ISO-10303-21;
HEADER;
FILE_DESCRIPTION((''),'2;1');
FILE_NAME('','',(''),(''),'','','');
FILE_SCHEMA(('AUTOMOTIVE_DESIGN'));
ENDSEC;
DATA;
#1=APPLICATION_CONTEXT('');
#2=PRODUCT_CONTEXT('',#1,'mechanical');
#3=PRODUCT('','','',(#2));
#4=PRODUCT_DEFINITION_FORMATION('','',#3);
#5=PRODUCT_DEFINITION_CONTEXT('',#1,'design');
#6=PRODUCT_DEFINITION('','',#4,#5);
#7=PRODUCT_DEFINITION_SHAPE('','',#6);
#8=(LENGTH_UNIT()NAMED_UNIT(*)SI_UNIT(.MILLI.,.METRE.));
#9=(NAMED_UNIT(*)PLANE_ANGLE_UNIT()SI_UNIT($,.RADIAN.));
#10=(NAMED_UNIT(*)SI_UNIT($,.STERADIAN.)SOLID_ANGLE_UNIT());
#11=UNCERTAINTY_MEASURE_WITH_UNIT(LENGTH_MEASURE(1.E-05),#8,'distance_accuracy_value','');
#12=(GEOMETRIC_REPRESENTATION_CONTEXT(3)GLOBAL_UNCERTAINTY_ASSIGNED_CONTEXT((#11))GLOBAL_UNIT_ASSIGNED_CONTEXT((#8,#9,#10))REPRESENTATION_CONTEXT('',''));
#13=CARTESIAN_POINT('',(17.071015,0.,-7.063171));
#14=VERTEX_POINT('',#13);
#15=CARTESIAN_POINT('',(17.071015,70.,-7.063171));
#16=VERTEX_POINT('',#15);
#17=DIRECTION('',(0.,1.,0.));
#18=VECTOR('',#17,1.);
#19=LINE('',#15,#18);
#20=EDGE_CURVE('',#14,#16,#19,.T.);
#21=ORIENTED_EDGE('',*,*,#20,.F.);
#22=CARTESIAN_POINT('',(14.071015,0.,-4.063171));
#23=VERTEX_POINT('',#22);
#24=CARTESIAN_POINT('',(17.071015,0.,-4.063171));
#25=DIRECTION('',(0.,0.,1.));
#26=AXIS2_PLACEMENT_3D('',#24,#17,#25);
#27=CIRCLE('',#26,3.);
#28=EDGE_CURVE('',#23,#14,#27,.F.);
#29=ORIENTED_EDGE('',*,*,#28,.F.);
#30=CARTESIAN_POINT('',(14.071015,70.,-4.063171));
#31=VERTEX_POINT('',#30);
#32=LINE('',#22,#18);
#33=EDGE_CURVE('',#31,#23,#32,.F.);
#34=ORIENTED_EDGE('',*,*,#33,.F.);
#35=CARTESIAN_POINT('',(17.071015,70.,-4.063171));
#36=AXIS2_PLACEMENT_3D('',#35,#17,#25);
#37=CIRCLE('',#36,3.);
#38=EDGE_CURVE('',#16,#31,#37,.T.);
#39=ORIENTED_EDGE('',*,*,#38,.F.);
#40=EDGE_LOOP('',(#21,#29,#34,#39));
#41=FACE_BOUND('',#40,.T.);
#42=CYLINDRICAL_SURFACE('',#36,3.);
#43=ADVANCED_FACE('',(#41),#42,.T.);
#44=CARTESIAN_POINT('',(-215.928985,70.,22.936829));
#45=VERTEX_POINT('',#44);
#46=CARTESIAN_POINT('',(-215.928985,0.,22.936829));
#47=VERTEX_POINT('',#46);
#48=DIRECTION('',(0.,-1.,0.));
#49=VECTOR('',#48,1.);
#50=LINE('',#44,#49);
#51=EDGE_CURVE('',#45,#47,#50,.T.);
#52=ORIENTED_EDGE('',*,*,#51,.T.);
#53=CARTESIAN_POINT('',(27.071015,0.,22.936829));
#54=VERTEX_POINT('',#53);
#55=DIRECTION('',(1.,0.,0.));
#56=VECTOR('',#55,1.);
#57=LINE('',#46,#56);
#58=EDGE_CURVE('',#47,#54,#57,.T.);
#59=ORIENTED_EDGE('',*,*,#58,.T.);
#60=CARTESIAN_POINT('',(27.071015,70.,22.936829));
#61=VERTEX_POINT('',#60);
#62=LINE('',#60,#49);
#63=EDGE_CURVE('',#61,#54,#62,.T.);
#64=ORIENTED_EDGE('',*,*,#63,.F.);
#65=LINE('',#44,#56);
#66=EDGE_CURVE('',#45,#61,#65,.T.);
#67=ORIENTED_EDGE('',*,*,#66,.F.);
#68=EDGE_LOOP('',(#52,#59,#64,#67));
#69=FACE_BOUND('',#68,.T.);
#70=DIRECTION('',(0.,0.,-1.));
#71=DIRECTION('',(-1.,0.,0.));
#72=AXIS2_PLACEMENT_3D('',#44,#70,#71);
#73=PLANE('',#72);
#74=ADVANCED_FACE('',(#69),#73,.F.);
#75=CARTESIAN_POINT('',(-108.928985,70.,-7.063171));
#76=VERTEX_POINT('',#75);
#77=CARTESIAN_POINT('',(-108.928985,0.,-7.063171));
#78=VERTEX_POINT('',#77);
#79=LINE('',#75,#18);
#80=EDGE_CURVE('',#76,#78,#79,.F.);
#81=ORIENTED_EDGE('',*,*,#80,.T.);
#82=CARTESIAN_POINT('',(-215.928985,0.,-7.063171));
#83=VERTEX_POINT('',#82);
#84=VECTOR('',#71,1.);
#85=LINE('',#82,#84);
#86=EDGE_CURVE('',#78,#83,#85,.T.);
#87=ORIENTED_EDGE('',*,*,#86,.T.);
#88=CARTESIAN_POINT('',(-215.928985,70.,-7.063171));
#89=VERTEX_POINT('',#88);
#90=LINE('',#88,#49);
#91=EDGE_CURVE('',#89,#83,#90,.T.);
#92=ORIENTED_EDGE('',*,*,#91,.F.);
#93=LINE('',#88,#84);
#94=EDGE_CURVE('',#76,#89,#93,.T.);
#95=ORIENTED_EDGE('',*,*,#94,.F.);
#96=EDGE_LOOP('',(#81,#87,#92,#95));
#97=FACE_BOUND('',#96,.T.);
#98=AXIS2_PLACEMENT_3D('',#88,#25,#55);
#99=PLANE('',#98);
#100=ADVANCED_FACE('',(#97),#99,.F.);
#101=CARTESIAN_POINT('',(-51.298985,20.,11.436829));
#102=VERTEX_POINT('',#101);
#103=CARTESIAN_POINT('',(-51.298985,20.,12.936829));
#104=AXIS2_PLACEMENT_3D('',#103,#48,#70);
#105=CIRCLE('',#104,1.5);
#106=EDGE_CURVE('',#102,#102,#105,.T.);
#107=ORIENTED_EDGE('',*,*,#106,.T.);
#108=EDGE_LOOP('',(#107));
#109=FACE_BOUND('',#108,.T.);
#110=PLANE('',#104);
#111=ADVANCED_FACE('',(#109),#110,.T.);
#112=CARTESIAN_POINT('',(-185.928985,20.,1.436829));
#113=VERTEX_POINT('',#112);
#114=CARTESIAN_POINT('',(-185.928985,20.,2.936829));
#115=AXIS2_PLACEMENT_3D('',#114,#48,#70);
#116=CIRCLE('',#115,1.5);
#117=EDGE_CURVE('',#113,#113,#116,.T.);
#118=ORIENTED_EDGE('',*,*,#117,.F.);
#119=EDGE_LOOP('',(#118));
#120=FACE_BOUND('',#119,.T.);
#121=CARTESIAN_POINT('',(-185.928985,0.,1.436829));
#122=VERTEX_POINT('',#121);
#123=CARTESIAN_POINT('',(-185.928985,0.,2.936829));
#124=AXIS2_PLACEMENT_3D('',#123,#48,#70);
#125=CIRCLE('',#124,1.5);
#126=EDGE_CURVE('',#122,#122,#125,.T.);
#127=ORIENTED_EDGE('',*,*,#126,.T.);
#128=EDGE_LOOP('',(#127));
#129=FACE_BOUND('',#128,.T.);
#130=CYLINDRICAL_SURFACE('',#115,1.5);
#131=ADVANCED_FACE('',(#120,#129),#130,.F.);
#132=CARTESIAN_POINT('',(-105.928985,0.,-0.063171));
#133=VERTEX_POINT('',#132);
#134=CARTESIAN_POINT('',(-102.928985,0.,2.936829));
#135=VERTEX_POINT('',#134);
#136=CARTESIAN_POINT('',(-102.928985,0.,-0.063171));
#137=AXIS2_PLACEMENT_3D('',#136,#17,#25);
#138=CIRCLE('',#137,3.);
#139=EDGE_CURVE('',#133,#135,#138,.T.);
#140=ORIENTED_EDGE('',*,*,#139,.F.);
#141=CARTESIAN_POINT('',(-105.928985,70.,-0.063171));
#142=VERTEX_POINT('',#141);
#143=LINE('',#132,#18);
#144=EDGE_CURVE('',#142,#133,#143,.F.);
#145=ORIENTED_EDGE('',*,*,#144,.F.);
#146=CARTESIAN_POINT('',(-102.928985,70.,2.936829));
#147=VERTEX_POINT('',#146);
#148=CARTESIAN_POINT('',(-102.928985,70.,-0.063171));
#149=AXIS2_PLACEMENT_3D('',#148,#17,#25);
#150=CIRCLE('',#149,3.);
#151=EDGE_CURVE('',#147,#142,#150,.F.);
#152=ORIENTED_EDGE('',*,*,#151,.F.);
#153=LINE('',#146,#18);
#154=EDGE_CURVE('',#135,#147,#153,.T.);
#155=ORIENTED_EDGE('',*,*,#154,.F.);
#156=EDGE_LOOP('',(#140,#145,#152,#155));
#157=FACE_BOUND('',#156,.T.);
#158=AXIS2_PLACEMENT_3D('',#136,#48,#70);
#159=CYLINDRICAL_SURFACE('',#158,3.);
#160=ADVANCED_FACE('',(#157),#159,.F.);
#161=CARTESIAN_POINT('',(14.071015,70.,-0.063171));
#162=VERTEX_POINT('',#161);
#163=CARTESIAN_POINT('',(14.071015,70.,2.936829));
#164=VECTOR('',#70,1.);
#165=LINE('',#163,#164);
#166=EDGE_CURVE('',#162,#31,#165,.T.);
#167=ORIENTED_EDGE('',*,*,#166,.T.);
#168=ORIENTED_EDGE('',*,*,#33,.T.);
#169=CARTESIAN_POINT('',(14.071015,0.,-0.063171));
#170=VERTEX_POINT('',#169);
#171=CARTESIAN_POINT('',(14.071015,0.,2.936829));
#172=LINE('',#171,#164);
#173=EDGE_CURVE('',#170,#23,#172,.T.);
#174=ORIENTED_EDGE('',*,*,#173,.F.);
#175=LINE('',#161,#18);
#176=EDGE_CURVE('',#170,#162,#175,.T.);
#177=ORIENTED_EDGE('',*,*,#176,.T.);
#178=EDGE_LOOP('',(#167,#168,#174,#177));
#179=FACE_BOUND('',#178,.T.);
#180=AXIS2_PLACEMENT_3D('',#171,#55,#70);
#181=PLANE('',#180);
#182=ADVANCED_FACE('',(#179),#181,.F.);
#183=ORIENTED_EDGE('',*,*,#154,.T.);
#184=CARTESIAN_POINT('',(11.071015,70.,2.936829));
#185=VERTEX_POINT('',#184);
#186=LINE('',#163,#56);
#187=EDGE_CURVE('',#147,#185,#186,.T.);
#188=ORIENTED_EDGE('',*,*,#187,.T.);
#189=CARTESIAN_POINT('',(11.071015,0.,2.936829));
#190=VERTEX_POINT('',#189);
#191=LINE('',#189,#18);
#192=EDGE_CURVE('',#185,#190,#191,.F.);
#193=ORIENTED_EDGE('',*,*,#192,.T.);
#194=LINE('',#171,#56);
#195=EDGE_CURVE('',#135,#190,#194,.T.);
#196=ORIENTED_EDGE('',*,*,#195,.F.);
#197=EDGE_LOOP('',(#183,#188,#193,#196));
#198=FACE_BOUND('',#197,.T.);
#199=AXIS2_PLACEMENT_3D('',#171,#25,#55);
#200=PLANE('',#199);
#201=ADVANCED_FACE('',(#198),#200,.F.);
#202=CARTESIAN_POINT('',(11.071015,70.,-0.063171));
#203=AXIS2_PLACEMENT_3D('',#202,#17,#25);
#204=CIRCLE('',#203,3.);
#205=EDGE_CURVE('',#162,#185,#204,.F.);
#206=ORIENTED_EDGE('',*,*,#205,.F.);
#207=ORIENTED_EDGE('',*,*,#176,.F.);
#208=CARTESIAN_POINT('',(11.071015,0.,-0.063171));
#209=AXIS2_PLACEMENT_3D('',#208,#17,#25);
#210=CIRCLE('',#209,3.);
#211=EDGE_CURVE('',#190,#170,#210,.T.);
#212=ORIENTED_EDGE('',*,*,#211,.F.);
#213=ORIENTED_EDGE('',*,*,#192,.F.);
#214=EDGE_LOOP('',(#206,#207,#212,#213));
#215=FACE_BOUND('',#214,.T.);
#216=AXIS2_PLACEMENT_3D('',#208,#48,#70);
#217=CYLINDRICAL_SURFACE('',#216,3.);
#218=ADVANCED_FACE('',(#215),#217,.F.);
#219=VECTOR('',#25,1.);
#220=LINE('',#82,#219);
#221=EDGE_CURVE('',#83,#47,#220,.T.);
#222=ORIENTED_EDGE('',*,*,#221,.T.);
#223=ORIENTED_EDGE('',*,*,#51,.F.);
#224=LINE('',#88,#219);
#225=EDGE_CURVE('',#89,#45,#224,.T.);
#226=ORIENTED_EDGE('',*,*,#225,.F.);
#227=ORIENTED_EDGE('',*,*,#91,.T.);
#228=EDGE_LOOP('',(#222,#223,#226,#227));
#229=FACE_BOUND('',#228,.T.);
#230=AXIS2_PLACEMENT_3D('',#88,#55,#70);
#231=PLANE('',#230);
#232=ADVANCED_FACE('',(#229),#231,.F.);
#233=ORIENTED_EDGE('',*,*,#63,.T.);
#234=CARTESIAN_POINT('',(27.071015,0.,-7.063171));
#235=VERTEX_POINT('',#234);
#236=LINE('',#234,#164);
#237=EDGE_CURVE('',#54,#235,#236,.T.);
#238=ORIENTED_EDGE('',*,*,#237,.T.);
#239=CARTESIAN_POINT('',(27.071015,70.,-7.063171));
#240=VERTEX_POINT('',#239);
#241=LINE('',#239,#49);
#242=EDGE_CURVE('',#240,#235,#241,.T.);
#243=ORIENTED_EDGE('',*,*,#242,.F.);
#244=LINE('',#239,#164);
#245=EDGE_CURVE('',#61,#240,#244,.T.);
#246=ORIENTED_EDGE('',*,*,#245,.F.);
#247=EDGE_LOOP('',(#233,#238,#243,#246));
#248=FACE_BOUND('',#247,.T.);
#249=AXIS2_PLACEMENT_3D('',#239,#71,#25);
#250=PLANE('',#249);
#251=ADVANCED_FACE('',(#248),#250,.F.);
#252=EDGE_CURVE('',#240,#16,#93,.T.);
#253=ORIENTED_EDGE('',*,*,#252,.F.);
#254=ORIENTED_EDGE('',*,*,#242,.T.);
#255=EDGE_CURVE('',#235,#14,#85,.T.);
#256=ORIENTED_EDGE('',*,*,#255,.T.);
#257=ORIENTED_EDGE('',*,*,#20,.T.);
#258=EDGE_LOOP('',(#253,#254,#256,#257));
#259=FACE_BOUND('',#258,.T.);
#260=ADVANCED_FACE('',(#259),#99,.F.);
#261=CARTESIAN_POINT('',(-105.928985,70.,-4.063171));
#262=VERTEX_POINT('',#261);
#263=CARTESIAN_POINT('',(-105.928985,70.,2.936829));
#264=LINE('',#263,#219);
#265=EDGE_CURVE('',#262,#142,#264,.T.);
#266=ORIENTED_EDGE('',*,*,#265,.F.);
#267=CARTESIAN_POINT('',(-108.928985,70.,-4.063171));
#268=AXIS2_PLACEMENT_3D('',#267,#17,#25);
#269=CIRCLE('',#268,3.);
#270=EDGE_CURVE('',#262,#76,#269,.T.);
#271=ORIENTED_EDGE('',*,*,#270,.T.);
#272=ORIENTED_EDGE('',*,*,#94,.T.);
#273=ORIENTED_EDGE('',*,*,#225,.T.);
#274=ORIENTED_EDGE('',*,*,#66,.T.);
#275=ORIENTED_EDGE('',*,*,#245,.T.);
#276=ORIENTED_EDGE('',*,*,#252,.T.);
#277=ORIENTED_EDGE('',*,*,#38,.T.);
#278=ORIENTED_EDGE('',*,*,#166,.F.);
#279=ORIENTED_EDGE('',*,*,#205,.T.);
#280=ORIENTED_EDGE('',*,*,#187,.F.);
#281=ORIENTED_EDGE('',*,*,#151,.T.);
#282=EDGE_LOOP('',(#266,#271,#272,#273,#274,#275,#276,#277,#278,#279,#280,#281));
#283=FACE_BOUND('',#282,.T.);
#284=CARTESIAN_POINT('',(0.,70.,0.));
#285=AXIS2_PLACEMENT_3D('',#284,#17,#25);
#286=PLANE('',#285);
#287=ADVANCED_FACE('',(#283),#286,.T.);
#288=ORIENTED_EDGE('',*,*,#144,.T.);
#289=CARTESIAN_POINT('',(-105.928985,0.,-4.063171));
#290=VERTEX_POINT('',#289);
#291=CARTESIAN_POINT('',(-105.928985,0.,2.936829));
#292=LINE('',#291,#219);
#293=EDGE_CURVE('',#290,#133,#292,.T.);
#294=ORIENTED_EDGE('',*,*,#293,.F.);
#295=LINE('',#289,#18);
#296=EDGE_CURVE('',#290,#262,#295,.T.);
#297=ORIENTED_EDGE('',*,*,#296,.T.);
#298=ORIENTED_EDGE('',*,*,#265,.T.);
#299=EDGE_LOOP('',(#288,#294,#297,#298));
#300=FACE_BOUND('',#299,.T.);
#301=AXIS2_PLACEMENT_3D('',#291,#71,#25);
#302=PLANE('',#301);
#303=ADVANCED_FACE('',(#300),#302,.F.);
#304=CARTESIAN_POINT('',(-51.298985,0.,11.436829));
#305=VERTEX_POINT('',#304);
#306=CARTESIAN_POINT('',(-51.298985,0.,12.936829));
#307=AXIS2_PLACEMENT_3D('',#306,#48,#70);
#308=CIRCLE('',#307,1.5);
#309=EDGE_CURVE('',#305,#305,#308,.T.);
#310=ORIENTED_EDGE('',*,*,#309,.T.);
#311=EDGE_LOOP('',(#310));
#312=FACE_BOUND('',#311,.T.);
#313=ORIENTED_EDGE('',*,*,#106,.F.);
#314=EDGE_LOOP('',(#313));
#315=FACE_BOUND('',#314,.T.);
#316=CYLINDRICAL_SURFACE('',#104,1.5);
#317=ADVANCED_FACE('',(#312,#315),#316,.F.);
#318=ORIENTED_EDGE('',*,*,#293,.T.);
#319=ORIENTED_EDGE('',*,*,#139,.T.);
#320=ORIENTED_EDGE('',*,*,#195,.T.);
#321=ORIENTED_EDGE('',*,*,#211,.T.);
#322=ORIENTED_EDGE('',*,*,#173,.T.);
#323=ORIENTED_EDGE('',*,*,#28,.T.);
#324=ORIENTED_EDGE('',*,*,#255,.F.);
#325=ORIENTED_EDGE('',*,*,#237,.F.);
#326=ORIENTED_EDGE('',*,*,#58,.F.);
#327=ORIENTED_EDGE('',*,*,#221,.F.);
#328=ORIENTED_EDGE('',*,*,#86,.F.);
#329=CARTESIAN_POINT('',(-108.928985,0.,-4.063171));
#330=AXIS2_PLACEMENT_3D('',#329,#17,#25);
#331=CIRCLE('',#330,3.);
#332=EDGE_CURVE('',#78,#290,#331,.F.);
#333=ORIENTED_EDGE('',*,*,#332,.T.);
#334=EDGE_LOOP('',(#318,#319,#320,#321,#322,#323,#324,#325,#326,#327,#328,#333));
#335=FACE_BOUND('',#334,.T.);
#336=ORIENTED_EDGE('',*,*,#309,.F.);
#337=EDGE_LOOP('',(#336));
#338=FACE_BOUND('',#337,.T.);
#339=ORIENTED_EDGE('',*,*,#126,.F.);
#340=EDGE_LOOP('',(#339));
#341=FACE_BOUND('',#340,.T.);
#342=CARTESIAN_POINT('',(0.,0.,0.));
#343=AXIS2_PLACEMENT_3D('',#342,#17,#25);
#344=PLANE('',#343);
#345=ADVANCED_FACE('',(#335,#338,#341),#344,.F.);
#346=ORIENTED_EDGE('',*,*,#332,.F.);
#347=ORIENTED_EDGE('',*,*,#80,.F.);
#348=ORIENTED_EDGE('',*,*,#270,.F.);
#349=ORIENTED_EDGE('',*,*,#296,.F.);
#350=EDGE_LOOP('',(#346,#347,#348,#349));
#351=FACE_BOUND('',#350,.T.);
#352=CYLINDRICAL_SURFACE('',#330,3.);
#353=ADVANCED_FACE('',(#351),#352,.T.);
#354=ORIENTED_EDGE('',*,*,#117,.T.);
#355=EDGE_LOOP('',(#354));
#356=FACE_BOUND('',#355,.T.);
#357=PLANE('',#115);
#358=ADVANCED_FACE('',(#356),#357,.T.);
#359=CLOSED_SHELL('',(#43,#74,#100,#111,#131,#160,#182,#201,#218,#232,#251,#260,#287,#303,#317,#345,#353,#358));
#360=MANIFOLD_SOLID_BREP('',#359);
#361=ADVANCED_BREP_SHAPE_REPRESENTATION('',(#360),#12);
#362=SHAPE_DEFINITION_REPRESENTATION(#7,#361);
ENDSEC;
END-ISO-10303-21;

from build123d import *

# Parameters (mm, degrees)
SKETCH1_W           = 243
SKETCH1_H           = 30
BOSS_EXTRUDE1_DEPTH = 70
SKETCH2_W           = 120
SKETCH2_H           = 10
CUT_EXTRUDE1_DEPTH  = 70
FILLET1_R           = 3
SKETCH3_R           = 3
CUT_EXTRUDE2_DEPTH  = 20
SKETCH4_R           = 11.000191916
SKETCH4_R_2         = 5.90738233
BOSS_EXTRUDE2_DEPTH = 39
SKETCH5_R           = 1.5
CUT_EXTRUDE3_DEPTH  = 20


with BuildPart() as part:
    # Sketch1 → Boss-Extrude1 (new body)
    with BuildSketch(Plane(origin=(0, 0, 0), x_dir=(1, 0, 0), z_dir=(0, 1, 0))):
        with Locations((-94.428984733, -7.936828819)):
            Rectangle(SKETCH1_W, SKETCH1_H)
    extrude(amount=BOSS_EXTRUDE1_DEPTH)

    # Sketch2 → Cut-Extrude1 (cut)
    with BuildSketch(Plane(origin=(0, 70, 0), x_dir=(1, 0, 0), z_dir=(0, 1, 0))):
        with Locations((-45.928984733, 2.063171181)):
            Rectangle(SKETCH2_W, SKETCH2_H)
    extrude(amount=-CUT_EXTRUDE1_DEPTH, mode=Mode.SUBTRACT)

    # Fillet1
    fillet1_edges = [part.edges().sort_by_distance(p)[0] for p in [
        (14.071015267, 35, -7.063171181),
        (14.071015267, 35, 2.936828819),
        (-105.928984733, 35, 2.936828819),
        (-105.928984733, 35, -7.063171181),
    ]]
    fillet(fillet1_edges, radius=FILLET1_R)

    # Sketch3 → Cut-Extrude2 (cut)
    with BuildSketch(Plane(origin=(0, 0, 0), x_dir=(-1, 0, 0), z_dir=(0, -1, 0))):
        with Locations(Location((51.298984733, -12.077870123, 0), (0, 0, 90))):
            Circle(SKETCH3_R)
        with Locations(Location((185.928984733, -2.936828819, 0), (0, 0, 90))):
            Circle(SKETCH3_R)
    extrude(amount=-CUT_EXTRUDE2_DEPTH, mode=Mode.SUBTRACT)

    # Sketch4 → Boss-Extrude2 (add)
    with BuildSketch(Plane(origin=(0, 0, 0), x_dir=(-1, 0, 0), z_dir=(0, -1, 0))):
        with Locations((188.57546064, -9.351449297)):
            Circle(SKETCH4_R)
        with Locations((51.298984733, -12.077870123)):
            Circle(SKETCH4_R_2)
    extrude(amount=-BOSS_EXTRUDE2_DEPTH)

    # Sketch5 → Cut-Extrude3 (cut)
    with BuildSketch(Plane(origin=(0, 0, 0), x_dir=(-1, 0, 0), z_dir=(0, -1, 0))):
        with Locations(Location((51.298984733, -12.936828819, 0), (0, 0, 90))):
            Circle(SKETCH5_R)
        with Locations(Location((185.928984733, -2.936828819, 0), (0, 0, 90))):
            Circle(SKETCH5_R)
    extrude(amount=-CUT_EXTRUDE3_DEPTH, mode=Mode.SUBTRACT)


solid = part.part
